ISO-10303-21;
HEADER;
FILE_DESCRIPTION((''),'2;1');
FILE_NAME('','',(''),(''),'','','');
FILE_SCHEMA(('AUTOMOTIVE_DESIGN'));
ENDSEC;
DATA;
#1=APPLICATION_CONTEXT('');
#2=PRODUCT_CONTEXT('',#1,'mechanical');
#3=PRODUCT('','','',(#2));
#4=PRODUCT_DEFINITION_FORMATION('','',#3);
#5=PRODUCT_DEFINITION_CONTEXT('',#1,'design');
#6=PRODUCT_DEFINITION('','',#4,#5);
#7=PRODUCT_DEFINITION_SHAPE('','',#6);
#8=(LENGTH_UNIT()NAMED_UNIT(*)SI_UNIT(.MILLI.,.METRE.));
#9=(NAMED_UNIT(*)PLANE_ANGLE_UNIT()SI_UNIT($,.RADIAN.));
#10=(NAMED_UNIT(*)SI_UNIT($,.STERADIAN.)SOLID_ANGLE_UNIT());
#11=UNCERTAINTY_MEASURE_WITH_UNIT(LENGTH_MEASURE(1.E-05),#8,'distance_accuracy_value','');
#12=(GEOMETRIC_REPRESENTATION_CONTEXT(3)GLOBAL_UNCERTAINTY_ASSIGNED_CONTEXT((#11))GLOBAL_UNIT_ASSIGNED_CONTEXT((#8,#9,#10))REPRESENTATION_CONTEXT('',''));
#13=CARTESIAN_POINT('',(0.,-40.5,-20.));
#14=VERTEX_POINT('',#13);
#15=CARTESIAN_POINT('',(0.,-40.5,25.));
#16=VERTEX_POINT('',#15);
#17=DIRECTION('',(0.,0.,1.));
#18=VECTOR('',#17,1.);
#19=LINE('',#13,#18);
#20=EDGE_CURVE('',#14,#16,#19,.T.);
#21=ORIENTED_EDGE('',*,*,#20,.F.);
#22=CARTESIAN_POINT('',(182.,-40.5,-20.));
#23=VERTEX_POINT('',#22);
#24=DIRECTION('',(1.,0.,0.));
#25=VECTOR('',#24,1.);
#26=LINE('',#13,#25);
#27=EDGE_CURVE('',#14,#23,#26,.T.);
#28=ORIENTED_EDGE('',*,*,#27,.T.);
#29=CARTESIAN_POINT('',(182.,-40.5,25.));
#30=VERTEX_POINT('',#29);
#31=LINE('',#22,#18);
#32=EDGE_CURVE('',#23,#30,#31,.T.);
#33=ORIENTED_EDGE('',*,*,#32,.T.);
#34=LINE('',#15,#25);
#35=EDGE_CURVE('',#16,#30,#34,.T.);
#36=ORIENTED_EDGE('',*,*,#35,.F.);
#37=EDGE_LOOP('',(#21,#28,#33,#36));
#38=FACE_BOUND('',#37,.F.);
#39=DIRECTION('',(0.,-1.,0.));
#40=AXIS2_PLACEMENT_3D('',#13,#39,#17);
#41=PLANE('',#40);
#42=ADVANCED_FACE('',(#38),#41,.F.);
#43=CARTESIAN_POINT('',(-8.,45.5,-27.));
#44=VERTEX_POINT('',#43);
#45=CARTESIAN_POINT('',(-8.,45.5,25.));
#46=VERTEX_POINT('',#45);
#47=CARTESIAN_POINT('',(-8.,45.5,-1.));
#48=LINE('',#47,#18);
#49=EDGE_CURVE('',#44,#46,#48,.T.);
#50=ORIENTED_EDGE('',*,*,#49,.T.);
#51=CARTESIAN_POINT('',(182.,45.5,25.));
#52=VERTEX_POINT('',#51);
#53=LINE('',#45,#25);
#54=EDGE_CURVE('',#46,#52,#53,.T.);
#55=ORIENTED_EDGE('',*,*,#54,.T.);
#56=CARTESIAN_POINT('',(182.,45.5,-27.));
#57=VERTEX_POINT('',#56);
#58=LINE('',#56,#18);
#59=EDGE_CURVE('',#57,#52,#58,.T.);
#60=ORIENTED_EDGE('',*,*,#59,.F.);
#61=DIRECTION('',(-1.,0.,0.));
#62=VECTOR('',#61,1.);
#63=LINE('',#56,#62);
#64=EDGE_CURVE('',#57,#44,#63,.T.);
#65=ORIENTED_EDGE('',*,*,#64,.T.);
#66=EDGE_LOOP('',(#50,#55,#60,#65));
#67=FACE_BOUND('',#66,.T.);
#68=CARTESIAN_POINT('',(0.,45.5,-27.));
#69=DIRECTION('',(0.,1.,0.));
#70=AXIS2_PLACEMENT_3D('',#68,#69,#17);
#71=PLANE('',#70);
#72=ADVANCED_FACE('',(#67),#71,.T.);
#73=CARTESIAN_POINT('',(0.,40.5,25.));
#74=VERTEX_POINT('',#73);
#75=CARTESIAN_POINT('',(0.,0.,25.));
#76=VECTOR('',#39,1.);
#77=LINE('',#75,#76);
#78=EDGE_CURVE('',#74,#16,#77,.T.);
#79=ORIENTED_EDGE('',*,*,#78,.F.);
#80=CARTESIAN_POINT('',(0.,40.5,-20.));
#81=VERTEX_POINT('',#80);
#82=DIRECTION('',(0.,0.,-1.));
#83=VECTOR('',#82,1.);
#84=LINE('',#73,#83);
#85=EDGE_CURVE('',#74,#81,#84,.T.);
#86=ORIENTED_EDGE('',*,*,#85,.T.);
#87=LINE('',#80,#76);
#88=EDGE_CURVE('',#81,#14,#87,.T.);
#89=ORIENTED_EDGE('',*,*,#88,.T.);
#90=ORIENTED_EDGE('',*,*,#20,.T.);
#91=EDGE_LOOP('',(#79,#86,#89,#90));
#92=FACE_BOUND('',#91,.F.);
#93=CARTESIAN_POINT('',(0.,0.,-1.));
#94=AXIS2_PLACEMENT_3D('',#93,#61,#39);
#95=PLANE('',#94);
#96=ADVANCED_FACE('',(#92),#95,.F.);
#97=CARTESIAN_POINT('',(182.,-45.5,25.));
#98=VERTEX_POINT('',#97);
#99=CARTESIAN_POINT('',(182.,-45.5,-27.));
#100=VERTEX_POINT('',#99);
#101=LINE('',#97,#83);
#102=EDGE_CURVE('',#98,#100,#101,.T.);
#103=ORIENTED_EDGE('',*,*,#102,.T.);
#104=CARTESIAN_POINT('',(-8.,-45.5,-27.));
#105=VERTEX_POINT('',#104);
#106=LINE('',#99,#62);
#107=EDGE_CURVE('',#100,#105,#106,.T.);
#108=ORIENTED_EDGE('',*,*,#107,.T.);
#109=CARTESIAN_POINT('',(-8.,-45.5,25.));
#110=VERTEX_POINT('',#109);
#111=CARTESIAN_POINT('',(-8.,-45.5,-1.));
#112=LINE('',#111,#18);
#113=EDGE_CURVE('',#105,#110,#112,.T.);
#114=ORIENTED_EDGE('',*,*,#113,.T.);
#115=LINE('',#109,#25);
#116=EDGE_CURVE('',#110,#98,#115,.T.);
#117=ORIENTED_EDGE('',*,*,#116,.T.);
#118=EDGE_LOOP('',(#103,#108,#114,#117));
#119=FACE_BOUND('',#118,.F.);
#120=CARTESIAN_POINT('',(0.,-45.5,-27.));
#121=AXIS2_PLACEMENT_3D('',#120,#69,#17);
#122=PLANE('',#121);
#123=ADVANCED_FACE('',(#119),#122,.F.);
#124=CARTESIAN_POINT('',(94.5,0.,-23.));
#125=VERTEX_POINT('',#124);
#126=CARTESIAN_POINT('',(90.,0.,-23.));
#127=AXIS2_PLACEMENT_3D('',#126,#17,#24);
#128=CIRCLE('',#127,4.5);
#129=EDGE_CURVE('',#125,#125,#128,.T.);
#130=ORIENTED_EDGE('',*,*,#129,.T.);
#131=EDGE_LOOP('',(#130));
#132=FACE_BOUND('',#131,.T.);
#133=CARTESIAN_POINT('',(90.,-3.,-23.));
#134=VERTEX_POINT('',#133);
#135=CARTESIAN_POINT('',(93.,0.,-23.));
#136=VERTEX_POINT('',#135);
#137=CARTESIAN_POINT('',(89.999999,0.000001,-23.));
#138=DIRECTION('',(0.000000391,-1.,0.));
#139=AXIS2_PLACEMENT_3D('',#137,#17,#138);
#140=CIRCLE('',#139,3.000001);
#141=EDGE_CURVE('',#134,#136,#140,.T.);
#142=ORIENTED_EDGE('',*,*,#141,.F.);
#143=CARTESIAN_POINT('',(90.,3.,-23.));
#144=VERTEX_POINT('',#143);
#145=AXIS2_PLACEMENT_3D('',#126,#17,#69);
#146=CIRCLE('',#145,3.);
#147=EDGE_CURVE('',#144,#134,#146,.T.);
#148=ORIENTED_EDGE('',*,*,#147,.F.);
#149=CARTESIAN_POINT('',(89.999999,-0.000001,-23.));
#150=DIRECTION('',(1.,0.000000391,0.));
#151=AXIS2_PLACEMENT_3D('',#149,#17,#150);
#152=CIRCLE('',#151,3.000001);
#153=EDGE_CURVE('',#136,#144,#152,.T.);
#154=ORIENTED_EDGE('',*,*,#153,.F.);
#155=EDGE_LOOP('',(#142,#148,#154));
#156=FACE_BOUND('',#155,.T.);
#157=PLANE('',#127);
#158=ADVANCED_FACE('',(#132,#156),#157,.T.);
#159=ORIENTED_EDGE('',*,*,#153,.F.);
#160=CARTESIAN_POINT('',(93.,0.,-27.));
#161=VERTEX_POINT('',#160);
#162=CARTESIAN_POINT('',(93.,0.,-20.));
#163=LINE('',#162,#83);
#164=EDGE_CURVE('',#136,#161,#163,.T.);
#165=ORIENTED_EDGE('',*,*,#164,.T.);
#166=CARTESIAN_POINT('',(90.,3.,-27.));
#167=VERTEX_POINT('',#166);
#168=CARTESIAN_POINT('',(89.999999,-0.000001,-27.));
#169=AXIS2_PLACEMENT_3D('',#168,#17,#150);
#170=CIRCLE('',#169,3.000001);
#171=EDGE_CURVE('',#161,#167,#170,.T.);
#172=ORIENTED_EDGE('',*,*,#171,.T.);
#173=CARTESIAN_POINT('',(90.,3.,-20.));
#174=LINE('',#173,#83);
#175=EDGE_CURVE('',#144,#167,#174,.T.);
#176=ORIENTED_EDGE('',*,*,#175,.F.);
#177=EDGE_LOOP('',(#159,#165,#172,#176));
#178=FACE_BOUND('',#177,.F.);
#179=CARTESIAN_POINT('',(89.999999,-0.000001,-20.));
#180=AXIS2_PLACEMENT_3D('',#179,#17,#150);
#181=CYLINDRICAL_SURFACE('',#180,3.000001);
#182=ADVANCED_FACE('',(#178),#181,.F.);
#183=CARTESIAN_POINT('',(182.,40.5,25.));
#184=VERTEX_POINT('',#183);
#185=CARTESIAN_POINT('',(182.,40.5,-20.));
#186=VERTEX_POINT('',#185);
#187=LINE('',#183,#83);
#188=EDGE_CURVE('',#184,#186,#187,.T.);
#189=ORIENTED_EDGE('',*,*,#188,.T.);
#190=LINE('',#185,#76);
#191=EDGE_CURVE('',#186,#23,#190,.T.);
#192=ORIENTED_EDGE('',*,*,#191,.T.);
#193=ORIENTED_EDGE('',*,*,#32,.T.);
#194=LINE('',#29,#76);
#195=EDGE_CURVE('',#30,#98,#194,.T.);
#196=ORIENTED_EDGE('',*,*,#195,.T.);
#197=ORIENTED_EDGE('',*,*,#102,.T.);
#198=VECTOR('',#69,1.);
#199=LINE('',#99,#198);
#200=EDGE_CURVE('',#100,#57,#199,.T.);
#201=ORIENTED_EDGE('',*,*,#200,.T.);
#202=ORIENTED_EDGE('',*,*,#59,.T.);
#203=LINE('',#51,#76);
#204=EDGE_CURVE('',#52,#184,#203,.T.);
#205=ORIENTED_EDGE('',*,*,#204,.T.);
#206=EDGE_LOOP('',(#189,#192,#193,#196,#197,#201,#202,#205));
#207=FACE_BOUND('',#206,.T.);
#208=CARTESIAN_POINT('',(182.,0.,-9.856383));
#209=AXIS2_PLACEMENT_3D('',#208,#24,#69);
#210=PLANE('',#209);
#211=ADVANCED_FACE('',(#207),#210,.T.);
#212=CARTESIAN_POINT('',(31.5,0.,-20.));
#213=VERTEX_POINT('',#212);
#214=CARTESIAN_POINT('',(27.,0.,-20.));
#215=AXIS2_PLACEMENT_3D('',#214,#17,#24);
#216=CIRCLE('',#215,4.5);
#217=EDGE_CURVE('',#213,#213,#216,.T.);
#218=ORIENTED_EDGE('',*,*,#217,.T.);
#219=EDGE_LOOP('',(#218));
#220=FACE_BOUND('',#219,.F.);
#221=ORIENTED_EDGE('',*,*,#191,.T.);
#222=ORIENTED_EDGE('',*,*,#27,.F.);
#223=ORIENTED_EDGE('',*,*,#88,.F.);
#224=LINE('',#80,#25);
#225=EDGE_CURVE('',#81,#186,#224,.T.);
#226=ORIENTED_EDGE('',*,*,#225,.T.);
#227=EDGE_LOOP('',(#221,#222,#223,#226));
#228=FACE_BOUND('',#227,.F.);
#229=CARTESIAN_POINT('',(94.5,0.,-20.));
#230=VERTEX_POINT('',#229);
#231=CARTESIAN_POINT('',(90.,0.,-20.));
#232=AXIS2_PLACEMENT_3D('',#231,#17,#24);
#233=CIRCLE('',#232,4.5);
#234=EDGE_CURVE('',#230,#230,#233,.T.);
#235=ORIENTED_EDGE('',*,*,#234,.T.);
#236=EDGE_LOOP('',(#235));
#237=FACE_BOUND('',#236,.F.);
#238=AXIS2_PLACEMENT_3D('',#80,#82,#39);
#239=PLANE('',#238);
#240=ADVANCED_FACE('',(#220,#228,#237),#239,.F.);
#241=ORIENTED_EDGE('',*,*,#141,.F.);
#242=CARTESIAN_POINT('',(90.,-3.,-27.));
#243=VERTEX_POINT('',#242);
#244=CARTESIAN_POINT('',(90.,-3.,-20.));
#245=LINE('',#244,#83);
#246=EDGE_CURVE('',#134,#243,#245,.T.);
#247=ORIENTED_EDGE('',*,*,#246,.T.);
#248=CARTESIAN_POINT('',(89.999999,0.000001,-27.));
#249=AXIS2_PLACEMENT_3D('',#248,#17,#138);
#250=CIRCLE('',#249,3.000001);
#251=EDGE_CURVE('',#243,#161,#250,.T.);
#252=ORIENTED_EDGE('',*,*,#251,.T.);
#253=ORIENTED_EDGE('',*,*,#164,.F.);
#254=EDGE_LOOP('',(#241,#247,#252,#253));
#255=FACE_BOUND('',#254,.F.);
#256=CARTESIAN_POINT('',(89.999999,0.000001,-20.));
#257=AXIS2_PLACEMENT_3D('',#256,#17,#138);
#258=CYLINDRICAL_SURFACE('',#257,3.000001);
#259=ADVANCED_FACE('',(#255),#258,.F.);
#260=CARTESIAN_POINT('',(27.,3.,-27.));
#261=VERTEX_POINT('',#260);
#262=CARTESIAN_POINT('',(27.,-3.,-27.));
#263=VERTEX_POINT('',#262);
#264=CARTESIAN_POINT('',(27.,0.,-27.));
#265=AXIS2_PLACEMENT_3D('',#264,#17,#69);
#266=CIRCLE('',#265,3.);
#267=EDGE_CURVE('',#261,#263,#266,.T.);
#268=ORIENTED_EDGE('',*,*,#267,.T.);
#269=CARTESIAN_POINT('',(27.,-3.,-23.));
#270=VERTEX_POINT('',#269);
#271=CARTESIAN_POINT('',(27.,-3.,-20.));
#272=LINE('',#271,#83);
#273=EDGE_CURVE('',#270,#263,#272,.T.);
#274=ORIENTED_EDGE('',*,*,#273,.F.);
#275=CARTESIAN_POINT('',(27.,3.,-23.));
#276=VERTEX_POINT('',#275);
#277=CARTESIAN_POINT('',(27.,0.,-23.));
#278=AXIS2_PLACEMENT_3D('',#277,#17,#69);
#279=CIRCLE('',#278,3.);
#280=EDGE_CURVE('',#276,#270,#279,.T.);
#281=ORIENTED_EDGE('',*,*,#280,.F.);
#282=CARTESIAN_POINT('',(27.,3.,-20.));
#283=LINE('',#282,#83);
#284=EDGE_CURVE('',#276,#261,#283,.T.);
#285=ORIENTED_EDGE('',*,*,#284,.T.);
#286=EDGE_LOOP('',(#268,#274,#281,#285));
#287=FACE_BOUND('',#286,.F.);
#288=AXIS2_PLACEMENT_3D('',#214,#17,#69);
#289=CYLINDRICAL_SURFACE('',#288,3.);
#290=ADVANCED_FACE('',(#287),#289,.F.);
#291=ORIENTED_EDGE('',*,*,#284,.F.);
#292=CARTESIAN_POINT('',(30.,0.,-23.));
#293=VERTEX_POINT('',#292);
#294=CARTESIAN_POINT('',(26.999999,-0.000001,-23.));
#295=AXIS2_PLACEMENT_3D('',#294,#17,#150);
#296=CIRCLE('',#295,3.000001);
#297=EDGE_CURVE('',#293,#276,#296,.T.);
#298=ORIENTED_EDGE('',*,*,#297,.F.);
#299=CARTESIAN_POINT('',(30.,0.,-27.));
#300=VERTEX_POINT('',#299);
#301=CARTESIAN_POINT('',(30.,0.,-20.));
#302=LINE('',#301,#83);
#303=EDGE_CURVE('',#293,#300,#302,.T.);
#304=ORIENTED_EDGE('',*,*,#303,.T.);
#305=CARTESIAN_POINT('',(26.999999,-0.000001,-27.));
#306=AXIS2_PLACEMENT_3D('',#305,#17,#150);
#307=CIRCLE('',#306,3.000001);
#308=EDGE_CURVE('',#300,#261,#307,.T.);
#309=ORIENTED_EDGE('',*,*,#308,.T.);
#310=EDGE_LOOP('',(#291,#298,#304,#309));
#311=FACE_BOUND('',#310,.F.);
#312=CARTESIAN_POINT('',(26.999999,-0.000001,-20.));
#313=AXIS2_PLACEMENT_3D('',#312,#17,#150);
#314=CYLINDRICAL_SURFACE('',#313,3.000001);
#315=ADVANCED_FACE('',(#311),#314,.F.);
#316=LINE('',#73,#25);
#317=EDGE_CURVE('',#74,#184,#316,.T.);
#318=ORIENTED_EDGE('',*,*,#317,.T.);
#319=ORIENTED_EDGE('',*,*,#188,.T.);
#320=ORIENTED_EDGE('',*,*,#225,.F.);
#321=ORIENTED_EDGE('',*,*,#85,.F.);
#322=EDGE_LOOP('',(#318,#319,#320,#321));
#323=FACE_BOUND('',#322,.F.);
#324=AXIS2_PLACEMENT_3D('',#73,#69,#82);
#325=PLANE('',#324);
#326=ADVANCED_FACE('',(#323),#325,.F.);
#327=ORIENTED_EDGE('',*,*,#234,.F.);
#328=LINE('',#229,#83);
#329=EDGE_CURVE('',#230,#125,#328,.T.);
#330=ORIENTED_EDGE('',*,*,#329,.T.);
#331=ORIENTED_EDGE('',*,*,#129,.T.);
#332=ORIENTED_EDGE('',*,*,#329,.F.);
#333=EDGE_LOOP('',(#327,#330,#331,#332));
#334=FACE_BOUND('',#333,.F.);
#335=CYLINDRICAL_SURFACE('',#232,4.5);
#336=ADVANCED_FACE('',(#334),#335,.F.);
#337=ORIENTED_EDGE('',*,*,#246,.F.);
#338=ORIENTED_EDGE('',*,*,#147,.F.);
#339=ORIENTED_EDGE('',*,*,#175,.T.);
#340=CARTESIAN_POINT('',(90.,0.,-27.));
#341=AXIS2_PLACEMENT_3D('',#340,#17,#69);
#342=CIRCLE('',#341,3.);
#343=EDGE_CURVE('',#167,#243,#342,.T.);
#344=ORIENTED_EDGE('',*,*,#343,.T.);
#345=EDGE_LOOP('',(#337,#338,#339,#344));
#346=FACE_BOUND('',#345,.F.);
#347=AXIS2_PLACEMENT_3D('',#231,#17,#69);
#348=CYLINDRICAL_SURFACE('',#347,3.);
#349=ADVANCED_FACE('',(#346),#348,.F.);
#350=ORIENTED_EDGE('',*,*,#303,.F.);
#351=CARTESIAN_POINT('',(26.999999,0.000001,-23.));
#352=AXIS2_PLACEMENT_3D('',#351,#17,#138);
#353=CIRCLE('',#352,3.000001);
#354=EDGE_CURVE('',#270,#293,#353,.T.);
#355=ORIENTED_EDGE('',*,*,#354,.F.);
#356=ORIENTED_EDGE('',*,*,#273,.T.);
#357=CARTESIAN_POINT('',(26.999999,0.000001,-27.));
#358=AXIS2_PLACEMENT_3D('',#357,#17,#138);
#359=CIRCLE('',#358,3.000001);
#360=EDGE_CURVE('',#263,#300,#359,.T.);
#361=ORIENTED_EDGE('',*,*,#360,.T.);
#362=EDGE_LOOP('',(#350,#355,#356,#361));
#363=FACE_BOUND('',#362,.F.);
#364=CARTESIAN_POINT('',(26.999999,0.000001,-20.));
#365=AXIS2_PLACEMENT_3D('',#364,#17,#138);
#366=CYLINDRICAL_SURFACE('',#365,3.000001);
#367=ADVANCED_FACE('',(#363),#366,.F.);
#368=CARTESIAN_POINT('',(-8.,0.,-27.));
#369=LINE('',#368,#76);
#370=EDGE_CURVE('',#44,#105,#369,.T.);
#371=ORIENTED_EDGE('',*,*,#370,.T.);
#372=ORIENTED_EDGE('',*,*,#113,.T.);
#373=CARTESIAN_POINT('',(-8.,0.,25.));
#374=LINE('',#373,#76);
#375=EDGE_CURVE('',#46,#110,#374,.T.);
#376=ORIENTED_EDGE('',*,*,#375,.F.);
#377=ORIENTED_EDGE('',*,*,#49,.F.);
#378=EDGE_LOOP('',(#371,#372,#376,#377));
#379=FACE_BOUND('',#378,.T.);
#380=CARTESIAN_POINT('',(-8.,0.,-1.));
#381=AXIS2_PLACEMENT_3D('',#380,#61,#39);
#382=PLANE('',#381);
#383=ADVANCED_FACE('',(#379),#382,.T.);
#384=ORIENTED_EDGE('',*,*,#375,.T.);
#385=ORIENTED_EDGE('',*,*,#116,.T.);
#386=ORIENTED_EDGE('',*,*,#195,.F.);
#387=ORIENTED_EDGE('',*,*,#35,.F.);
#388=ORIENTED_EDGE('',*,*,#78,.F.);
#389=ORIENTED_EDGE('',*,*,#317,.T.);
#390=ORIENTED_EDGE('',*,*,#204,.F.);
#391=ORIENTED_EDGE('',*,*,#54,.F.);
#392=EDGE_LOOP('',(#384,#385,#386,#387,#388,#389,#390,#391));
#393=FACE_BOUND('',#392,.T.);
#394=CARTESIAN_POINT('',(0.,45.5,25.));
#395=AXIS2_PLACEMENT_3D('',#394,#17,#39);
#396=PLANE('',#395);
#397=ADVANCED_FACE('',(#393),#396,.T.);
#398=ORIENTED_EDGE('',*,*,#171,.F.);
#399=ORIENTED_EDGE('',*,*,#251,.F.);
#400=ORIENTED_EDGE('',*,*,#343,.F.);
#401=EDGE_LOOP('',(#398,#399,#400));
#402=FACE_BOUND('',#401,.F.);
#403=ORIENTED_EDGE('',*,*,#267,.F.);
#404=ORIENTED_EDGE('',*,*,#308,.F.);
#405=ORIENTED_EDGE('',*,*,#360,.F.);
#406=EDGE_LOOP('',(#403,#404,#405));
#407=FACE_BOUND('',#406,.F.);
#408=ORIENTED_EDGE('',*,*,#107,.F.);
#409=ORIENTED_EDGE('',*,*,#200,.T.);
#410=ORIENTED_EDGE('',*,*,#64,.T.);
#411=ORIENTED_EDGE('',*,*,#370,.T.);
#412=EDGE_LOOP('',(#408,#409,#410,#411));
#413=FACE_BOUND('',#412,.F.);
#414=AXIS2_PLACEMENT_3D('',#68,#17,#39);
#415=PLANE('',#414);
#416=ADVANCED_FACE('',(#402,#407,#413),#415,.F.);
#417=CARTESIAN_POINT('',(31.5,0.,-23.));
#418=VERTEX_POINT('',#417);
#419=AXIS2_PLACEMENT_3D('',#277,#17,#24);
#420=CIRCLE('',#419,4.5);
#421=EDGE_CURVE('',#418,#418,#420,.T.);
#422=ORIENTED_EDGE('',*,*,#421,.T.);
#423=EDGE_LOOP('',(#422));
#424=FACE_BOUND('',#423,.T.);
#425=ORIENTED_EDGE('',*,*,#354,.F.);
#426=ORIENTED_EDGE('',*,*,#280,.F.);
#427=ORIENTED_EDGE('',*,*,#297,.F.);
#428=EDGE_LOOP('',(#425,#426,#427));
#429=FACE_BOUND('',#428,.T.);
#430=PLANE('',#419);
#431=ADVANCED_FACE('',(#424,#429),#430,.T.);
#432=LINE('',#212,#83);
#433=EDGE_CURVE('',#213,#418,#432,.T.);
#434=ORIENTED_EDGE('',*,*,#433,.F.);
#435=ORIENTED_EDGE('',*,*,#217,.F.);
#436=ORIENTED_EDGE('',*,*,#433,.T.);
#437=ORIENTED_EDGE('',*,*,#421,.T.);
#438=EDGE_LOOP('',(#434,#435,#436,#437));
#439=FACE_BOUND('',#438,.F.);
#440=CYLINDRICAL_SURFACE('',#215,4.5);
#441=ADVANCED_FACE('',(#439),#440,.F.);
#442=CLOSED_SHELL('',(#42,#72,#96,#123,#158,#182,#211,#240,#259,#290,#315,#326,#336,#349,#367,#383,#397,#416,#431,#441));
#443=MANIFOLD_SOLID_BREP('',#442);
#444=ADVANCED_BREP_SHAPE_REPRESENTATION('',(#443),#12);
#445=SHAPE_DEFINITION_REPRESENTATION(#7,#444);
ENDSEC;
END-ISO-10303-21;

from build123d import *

# Parameters (mm, degrees)
F1_DEPTH = 182
F2_W     = 91
F2_H     = 52
F3_DEPTH = 8
F5_DEPTH = 25
F6_R     = 4.5
F7_DEPTH = 3


with BuildPart() as f1:
    # F0 (on Right) → F1 (new body)
    with BuildSketch(Plane.YZ):
        Polygon((-0.5, -20), (-40.5, -20), (-40.5, 25), (-45.5, 25), (-45.5, -27), (45.5, -27), (45.5, 25), (40.5, 25), (40.5, -20), (0.5, -20), align=None)
    extrude(amount=F1_DEPTH)

    # F2 (on face) → F3 (join)
    with BuildSketch(Plane(origin=(0, 0, 0), x_dir=(0, -1, 0), z_dir=(-1, 0, 0))):
        with Locations((0, -1)):
            Rectangle(F2_W, F2_H)
    extrude(amount=F3_DEPTH)

    # F4 (on face) → F5 (cut)
    with BuildSketch(Plane.XY.offset(-20)):
        with BuildLine():
            ThreePointArc((30, 0), (29.12132, 2.12132), (27, 3))
            Line((27, 3), (27, -3))
            ThreePointArc((27, -3), (29.12132, -2.12132), (30, 0))
        make_face()
        with BuildLine():
            Line((27, -3), (27, 3))
            ThreePointArc((27, 3), (24, 0), (27, -3))
        make_face()
        with BuildLine():
            ThreePointArc((93, 0), (92.12132, 2.12132), (90, 3))
            Line((90, 3), (90, -3))
            ThreePointArc((90, -3), (92.12132, -2.12132), (93, 0))
        make_face()
        with BuildLine():
            Line((90, -3), (90, 3))
            ThreePointArc((90, 3), (87, 0), (90, -3))
        make_face()
    extrude(amount=-F5_DEPTH, mode=Mode.SUBTRACT)

    # F6 (on face) → F7 (cut)
    with BuildSketch(Plane.XY.offset(-20)):
        with Locations((27, 0)):
            Circle(F6_R)
        with Locations((90, 0)):
            Circle(F6_R)
    extrude(amount=-F7_DEPTH, mode=Mode.SUBTRACT)


solid = f1.part
